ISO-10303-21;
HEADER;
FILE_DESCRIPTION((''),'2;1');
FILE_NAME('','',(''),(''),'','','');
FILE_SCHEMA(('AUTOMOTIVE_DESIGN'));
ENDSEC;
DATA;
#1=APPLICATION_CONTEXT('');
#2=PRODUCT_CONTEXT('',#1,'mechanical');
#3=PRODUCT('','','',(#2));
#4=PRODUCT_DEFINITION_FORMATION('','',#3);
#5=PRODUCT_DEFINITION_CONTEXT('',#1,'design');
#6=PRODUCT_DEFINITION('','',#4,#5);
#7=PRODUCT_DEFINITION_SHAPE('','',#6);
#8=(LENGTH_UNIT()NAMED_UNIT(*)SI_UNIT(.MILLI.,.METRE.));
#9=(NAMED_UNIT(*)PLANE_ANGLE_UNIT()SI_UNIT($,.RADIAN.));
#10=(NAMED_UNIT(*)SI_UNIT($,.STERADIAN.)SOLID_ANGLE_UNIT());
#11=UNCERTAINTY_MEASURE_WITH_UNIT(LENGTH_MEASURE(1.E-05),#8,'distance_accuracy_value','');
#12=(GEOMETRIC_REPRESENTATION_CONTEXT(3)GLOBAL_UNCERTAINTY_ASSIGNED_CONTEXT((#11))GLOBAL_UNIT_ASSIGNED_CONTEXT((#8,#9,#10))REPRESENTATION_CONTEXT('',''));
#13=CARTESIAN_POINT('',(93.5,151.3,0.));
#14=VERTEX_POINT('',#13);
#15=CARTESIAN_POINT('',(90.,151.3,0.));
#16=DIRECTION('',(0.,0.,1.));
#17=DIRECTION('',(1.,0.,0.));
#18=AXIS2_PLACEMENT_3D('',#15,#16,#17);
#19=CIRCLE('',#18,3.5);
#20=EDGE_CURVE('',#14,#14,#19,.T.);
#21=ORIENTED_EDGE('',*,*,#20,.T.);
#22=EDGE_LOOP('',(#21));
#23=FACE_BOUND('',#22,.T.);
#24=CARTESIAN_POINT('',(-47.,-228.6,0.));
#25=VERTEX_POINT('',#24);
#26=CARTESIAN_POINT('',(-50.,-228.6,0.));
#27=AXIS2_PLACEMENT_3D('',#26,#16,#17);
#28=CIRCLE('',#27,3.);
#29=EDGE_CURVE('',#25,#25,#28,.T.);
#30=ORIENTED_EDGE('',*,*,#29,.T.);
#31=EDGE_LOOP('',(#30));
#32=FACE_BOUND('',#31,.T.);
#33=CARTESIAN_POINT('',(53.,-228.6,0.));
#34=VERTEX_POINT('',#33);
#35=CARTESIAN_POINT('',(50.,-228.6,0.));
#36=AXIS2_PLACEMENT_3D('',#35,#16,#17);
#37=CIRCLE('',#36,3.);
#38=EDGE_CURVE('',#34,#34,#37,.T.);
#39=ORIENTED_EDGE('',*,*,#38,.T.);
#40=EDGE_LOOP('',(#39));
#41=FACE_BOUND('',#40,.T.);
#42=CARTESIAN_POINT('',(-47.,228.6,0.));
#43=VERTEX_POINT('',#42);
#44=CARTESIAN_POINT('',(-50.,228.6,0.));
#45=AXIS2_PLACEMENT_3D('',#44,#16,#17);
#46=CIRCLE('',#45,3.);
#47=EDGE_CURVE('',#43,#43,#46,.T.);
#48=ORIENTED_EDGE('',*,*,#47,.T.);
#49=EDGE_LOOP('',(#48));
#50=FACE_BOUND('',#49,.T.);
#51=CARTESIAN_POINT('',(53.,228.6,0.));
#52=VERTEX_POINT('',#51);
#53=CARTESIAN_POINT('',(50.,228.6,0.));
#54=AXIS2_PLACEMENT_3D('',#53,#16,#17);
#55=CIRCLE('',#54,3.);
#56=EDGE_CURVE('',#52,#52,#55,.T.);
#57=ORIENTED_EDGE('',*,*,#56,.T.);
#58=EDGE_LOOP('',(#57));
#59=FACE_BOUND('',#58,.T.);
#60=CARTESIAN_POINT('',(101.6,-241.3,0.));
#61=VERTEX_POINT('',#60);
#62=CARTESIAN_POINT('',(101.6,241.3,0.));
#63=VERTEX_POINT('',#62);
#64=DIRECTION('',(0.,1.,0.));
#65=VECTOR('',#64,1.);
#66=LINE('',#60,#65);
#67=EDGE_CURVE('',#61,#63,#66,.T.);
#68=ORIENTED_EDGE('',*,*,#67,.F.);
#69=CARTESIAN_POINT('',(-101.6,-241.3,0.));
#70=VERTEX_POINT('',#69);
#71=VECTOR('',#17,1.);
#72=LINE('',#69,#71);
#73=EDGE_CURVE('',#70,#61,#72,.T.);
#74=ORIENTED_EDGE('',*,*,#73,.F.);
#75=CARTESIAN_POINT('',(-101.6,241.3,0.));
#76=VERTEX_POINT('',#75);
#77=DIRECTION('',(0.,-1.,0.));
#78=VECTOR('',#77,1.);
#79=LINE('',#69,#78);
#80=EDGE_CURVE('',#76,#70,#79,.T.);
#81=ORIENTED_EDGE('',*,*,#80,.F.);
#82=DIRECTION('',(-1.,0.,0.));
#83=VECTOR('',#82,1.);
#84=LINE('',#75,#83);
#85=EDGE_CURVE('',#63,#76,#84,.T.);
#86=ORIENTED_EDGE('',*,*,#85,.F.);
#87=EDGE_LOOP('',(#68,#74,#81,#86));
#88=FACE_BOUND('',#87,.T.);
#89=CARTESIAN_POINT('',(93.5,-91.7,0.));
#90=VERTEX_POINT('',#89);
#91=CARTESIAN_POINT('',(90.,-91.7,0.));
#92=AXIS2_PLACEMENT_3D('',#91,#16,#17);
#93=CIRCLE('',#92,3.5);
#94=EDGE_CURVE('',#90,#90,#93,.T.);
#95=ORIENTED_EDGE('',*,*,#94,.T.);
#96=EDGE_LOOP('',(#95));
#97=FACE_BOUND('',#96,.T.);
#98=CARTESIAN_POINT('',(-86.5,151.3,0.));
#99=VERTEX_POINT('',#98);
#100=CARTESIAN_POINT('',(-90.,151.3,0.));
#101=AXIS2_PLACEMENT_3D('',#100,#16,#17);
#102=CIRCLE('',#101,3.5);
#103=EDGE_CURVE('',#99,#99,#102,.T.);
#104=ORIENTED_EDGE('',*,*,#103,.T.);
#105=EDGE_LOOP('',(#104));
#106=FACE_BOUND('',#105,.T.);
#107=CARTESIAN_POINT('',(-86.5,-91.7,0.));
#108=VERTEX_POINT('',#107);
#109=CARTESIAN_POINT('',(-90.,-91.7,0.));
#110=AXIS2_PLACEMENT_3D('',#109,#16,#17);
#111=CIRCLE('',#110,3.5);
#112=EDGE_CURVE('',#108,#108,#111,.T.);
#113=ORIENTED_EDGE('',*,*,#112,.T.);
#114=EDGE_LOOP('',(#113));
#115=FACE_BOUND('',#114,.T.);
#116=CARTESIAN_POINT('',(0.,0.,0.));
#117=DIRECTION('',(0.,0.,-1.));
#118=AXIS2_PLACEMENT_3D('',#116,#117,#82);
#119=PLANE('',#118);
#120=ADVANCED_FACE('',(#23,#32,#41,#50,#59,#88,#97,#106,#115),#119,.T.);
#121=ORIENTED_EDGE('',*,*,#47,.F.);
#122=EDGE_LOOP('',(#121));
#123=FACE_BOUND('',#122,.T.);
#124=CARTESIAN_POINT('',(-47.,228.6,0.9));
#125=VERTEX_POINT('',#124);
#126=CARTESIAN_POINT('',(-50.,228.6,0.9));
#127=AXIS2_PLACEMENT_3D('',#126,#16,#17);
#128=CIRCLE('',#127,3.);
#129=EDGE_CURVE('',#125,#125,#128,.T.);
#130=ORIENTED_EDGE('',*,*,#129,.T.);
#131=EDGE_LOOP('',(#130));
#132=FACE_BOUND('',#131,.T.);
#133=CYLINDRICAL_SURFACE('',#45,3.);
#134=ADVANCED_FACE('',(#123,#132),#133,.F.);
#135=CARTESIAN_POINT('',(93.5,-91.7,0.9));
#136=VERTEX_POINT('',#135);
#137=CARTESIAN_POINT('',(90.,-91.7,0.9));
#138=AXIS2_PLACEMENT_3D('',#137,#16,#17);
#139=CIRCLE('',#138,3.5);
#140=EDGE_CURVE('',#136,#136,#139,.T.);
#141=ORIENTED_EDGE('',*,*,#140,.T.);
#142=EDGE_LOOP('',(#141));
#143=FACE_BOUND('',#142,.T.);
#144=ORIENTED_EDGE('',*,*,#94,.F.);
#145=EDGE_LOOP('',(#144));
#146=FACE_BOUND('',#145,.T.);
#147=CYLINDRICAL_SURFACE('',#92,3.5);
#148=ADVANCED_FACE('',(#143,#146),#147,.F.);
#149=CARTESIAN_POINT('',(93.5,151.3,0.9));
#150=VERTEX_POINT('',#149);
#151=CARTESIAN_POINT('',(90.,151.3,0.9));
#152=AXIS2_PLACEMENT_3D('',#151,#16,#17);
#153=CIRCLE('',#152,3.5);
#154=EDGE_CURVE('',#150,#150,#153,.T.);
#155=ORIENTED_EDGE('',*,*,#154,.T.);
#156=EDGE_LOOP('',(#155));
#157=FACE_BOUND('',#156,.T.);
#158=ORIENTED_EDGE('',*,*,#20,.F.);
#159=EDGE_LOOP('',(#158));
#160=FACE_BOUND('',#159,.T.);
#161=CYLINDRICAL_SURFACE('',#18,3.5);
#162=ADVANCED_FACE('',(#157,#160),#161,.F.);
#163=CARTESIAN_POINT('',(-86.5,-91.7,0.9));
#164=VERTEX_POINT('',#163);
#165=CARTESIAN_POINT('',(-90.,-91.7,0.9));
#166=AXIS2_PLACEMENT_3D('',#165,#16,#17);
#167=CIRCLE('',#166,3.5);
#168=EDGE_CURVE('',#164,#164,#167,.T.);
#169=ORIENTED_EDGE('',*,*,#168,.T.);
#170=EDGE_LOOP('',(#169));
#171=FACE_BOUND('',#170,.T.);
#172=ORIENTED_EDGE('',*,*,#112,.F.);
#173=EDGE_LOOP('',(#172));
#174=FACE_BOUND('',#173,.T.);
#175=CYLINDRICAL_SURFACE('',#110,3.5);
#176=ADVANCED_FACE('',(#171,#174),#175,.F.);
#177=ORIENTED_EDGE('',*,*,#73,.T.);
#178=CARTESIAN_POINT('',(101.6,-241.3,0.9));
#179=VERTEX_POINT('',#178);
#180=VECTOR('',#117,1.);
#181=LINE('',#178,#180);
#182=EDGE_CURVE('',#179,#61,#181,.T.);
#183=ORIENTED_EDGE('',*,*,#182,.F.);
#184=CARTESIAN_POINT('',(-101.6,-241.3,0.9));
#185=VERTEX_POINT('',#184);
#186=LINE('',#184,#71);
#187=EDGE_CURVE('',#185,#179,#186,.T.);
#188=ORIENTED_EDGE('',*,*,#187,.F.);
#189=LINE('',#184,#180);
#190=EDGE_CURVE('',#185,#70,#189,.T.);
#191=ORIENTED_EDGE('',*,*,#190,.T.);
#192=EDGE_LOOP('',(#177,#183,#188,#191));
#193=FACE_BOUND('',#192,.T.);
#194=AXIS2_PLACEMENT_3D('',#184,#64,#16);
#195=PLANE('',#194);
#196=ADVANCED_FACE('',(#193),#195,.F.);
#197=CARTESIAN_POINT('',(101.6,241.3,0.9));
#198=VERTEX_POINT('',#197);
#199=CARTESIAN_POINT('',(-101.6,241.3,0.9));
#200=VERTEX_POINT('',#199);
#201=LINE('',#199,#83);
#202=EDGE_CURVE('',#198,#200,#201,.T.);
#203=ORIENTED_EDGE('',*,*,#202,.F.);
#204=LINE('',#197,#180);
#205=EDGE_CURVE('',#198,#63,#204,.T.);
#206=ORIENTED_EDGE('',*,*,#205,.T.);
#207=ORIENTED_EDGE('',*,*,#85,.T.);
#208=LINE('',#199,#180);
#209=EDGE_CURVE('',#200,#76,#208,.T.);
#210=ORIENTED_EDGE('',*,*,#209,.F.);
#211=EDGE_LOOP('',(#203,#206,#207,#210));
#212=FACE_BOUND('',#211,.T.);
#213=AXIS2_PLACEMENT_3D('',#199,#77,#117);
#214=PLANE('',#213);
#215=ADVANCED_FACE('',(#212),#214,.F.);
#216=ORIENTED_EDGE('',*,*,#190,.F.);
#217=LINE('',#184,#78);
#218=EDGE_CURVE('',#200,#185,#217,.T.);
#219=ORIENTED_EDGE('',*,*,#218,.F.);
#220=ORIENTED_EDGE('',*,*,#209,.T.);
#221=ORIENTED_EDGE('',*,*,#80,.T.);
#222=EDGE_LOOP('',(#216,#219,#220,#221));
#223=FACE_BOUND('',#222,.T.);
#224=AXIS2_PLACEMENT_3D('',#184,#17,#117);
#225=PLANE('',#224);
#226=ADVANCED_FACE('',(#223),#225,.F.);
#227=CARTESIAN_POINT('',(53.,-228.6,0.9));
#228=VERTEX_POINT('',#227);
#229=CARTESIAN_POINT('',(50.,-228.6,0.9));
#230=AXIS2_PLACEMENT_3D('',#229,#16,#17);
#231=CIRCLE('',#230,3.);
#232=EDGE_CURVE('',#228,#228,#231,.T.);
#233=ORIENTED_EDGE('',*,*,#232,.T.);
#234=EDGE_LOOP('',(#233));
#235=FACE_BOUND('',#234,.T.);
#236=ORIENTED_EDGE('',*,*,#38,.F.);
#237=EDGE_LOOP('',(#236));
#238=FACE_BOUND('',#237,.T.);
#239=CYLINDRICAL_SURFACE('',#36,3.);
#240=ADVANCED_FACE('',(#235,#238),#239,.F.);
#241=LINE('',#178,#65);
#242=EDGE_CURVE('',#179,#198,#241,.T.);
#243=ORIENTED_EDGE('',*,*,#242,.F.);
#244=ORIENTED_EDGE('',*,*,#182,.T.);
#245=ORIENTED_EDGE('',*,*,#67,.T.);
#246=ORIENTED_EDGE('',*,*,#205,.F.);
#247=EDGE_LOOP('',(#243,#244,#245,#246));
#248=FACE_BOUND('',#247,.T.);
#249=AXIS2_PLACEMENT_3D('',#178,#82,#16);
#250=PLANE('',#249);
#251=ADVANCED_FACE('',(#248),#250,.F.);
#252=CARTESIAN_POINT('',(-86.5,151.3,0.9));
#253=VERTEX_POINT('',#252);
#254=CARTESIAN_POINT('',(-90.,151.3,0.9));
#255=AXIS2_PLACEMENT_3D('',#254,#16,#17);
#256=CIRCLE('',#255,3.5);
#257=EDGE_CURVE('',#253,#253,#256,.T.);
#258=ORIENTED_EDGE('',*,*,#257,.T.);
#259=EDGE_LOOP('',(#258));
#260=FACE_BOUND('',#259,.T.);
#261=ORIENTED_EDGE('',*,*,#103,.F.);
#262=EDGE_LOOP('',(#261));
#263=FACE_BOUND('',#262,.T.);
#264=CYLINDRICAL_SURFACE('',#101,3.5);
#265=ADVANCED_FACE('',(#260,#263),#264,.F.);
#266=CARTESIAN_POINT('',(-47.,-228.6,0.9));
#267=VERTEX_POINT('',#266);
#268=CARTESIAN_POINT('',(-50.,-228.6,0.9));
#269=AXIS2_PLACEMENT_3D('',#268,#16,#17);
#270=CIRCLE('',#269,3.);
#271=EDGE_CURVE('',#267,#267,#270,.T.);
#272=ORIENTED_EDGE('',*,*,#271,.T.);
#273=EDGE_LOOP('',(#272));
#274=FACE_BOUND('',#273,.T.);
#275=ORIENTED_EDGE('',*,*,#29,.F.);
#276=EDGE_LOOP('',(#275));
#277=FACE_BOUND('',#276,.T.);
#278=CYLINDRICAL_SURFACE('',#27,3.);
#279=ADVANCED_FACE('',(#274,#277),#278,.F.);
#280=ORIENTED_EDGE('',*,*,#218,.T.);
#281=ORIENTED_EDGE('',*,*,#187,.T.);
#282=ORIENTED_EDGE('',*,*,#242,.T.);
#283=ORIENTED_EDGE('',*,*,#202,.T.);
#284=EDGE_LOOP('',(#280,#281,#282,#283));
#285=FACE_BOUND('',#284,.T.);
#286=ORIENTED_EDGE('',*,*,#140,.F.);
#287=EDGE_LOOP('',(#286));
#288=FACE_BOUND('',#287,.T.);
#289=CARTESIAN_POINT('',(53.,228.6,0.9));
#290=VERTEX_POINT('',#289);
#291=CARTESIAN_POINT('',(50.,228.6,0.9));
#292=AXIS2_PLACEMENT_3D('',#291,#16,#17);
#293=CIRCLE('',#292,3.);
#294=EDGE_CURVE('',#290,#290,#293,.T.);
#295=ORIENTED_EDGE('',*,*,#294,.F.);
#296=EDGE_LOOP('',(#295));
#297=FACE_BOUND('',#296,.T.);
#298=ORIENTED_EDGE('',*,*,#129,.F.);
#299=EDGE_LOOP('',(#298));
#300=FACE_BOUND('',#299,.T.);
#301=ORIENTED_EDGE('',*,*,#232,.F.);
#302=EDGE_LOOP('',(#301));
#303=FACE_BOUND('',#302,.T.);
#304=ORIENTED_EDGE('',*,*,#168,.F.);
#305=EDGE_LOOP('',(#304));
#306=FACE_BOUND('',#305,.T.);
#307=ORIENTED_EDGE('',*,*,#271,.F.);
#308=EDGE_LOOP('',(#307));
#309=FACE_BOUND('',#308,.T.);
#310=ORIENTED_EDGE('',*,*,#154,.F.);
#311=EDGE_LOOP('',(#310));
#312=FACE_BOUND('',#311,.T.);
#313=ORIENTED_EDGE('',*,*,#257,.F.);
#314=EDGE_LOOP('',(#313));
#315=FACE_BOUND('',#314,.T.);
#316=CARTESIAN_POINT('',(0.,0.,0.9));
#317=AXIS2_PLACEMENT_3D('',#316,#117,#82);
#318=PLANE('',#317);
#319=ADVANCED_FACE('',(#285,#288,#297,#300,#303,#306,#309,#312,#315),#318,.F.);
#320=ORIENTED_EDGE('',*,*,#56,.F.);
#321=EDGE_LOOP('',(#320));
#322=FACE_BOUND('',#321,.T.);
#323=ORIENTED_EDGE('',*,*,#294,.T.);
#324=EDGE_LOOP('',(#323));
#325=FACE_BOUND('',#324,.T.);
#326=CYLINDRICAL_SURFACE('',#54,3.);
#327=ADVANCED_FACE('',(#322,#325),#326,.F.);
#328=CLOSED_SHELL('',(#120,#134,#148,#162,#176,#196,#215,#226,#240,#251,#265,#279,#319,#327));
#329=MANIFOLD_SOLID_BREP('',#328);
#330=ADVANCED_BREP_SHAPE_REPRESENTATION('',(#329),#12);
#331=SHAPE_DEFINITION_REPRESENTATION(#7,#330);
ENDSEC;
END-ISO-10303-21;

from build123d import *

# Parameters (mm, degrees)
SKETCH_1_W          = 203.2
SKETCH_1_H          = 482.6
EXTRUDE_1_DEPTH     = 0.9
SKETCH_2_R          = 3.5
CUT_EXTRUDE_1_DEPTH = 0.9
SKETCH_3_R          = 3
CUT_EXTRUDE_2_DEPTH = 0.9


with BuildPart() as part:
    # 草图1 → 凸台-拉伸1 (new body)
    with BuildSketch(Plane.XY):
        Rectangle(SKETCH_1_W, SKETCH_1_H)
    extrude(amount=EXTRUDE_1_DEPTH)

    # 草图2 → 切除-拉伸1 (cut)
    with BuildSketch(Plane.XY.offset(0.9)):
        with Locations((-90, 151.3)):
            Circle(SKETCH_2_R)
        with Locations((90, 151.3)):
            Circle(SKETCH_2_R)
        with Locations((90, -91.7)):
            Circle(SKETCH_2_R)
        with Locations((-90, -91.7)):
            Circle(SKETCH_2_R)
    extrude(amount=-CUT_EXTRUDE_1_DEPTH, mode=Mode.SUBTRACT)

    # 草图3 → 切除-拉伸2 (cut)
    with BuildSketch(Plane.XY.offset(0.9)):
        with Locations((-50, 228.6)):
            Circle(SKETCH_3_R)
        with Locations((50, 228.6)):
            Circle(SKETCH_3_R)
        with Locations((50, -228.6)):
            Circle(SKETCH_3_R)
        with Locations((-50, -228.6)):
            Circle(SKETCH_3_R)
    extrude(amount=-CUT_EXTRUDE_2_DEPTH, mode=Mode.SUBTRACT)


solid = part.part
